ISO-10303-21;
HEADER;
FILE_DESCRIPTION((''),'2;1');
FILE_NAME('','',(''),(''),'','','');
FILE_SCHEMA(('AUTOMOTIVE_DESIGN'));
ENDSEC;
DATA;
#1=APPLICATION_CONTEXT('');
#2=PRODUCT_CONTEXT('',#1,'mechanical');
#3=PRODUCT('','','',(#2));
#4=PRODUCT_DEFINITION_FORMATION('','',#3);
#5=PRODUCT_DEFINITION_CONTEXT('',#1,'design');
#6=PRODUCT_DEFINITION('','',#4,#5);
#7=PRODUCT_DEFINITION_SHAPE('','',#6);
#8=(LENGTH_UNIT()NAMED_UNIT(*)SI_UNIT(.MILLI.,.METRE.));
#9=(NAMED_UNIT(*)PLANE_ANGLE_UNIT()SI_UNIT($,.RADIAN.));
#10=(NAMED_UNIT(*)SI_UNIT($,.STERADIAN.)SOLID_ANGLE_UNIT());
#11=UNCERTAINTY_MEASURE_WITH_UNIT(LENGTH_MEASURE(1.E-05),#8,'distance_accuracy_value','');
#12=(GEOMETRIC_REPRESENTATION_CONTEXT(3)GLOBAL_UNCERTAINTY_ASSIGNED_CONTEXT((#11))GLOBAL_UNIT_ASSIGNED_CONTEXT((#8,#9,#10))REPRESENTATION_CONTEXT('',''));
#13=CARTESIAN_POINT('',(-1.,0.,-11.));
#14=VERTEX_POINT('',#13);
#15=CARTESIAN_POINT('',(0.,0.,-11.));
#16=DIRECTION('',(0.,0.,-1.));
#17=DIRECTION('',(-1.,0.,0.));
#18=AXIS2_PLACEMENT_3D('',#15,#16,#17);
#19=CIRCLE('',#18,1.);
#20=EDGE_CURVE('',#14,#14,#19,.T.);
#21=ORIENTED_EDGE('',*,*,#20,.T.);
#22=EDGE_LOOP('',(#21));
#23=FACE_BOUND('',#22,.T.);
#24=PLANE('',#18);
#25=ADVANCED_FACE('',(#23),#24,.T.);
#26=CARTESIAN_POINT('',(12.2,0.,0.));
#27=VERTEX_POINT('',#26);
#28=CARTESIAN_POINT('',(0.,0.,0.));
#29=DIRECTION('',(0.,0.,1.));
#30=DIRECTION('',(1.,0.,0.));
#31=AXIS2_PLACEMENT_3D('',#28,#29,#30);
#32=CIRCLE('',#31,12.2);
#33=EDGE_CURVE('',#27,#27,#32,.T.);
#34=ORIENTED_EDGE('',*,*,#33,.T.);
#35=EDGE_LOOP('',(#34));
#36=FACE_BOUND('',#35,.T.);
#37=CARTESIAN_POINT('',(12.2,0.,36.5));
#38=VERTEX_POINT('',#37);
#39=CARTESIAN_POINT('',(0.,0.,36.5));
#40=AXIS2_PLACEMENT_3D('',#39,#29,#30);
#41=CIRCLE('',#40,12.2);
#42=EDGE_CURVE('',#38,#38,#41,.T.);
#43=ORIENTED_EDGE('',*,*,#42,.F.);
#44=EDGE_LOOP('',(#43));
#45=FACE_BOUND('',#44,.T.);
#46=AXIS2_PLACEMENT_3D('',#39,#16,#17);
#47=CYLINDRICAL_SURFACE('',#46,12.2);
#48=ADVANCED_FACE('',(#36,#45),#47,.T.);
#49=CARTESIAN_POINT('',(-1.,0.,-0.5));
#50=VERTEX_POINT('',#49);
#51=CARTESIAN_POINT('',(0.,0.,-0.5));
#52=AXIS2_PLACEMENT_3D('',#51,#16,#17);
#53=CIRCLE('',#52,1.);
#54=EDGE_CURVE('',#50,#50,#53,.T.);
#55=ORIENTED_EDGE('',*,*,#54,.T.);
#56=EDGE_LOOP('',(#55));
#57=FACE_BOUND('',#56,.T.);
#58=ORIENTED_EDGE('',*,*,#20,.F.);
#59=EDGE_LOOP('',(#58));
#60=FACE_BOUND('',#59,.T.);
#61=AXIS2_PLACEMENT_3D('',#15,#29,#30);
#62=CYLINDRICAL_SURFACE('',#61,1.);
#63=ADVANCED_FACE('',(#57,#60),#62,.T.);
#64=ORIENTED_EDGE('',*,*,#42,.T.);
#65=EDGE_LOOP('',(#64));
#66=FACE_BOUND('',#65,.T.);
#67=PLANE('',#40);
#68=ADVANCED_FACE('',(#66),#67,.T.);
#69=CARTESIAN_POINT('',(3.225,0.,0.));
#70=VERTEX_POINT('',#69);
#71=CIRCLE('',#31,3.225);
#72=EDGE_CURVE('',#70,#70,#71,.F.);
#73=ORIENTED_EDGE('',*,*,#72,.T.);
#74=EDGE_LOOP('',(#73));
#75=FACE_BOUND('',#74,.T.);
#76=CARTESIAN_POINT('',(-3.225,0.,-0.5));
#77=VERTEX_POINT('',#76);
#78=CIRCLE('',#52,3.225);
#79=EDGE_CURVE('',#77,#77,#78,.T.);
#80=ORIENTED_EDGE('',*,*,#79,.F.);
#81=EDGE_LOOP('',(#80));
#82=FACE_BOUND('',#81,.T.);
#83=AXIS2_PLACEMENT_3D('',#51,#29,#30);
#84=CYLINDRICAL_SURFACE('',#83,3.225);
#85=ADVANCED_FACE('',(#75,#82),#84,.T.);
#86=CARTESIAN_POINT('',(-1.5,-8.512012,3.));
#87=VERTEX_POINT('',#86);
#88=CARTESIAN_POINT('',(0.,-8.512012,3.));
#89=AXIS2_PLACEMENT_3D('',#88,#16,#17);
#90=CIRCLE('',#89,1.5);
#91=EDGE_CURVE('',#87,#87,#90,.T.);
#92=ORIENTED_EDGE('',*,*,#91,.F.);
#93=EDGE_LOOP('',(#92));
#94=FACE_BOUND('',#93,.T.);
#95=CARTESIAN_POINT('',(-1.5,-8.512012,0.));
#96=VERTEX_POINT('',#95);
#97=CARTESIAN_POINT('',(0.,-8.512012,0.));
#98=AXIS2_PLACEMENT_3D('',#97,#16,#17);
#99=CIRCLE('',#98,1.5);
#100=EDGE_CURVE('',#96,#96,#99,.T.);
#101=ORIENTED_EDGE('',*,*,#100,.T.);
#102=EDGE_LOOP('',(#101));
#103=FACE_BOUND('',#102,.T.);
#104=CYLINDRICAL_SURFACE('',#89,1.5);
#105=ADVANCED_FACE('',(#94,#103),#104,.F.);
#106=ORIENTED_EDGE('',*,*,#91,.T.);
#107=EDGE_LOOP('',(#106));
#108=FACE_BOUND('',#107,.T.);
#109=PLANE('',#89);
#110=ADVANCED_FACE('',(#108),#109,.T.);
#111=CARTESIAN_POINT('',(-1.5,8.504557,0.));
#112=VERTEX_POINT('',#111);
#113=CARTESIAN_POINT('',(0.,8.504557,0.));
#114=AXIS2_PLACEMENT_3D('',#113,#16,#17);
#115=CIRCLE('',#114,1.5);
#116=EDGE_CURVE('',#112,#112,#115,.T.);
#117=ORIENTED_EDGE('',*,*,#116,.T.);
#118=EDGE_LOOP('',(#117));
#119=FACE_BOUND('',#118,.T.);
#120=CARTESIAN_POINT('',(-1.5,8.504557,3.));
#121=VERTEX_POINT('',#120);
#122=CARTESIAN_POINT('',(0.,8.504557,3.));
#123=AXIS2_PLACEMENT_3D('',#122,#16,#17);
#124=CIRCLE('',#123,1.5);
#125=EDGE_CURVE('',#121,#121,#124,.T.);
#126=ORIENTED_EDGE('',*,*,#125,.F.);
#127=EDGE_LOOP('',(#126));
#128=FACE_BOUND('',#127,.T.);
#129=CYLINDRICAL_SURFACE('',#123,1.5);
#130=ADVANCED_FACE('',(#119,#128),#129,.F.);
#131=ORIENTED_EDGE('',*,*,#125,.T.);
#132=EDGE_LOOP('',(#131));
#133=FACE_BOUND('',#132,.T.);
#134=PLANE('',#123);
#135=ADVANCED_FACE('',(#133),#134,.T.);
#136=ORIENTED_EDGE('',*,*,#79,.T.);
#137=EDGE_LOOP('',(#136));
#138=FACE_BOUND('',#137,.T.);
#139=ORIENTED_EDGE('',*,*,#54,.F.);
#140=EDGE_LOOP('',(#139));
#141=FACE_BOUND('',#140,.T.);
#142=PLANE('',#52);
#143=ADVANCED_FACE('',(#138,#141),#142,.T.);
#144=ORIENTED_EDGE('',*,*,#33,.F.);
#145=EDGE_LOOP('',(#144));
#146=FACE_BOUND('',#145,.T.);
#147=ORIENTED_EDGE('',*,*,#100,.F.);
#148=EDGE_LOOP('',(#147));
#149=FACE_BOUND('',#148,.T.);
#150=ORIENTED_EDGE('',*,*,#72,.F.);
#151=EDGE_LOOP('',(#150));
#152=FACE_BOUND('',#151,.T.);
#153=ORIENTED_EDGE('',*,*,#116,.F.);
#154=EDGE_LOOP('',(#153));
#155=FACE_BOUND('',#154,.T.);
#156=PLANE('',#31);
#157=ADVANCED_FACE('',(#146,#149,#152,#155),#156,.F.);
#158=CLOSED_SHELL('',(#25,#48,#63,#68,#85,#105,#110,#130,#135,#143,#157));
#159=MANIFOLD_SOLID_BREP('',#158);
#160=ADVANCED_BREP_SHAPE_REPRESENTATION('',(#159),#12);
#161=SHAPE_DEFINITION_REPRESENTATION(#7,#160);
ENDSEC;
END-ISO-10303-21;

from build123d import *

# Parameters (mm, degrees)
SKETCH_1_R          = 12.2
EXTRUDE_4_DEPTH     = 36.5
SKETCH_10_R         = 1
EXTRUDE_7_DEPTH     = 11
SKETCH_11_R         = 3.225
EXTRUDE_8_DEPTH     = 0.5
SKETCH_13_R         = 1.5
CUT_EXTRUDE_2_DEPTH = 3


with BuildPart() as part:
    # 草图1 → 凸台-拉伸4 (new body)
    with BuildSketch(Plane.XY):
        Circle(SKETCH_1_R)
    extrude(amount=EXTRUDE_4_DEPTH)

    # 草图10 → 凸台-拉伸7 (add)
    with BuildSketch(Plane(origin=(0, 0, 0), x_dir=(-1, 0, 0), z_dir=(0, 0, -1))):
        with Locations(Location((0, 0, 0), (0, 0, 180))):
            Circle(SKETCH_10_R)
    extrude(amount=EXTRUDE_7_DEPTH)

    # 草图11 → 凸台-拉伸8 (add)
    with BuildSketch(Plane(origin=(0, 0, 0), x_dir=(-1, 0, 0), z_dir=(0, 0, -1))):
        with Locations(Location((0, 0, 0), (0, 0, 180))):
            Circle(SKETCH_11_R)
    extrude(amount=EXTRUDE_8_DEPTH)

    # 草图13 → 切除-拉伸2 (cut)
    with BuildSketch(Plane(origin=(0, 0, 0), x_dir=(-1, 0, 0), z_dir=(0, 0, -1))):
        with Locations((0, 8.504557186)):
            Circle(SKETCH_13_R)
        with Locations((0, -8.512012438)):
            Circle(SKETCH_13_R)
    extrude(amount=-CUT_EXTRUDE_2_DEPTH, mode=Mode.SUBTRACT)


solid = part.part
